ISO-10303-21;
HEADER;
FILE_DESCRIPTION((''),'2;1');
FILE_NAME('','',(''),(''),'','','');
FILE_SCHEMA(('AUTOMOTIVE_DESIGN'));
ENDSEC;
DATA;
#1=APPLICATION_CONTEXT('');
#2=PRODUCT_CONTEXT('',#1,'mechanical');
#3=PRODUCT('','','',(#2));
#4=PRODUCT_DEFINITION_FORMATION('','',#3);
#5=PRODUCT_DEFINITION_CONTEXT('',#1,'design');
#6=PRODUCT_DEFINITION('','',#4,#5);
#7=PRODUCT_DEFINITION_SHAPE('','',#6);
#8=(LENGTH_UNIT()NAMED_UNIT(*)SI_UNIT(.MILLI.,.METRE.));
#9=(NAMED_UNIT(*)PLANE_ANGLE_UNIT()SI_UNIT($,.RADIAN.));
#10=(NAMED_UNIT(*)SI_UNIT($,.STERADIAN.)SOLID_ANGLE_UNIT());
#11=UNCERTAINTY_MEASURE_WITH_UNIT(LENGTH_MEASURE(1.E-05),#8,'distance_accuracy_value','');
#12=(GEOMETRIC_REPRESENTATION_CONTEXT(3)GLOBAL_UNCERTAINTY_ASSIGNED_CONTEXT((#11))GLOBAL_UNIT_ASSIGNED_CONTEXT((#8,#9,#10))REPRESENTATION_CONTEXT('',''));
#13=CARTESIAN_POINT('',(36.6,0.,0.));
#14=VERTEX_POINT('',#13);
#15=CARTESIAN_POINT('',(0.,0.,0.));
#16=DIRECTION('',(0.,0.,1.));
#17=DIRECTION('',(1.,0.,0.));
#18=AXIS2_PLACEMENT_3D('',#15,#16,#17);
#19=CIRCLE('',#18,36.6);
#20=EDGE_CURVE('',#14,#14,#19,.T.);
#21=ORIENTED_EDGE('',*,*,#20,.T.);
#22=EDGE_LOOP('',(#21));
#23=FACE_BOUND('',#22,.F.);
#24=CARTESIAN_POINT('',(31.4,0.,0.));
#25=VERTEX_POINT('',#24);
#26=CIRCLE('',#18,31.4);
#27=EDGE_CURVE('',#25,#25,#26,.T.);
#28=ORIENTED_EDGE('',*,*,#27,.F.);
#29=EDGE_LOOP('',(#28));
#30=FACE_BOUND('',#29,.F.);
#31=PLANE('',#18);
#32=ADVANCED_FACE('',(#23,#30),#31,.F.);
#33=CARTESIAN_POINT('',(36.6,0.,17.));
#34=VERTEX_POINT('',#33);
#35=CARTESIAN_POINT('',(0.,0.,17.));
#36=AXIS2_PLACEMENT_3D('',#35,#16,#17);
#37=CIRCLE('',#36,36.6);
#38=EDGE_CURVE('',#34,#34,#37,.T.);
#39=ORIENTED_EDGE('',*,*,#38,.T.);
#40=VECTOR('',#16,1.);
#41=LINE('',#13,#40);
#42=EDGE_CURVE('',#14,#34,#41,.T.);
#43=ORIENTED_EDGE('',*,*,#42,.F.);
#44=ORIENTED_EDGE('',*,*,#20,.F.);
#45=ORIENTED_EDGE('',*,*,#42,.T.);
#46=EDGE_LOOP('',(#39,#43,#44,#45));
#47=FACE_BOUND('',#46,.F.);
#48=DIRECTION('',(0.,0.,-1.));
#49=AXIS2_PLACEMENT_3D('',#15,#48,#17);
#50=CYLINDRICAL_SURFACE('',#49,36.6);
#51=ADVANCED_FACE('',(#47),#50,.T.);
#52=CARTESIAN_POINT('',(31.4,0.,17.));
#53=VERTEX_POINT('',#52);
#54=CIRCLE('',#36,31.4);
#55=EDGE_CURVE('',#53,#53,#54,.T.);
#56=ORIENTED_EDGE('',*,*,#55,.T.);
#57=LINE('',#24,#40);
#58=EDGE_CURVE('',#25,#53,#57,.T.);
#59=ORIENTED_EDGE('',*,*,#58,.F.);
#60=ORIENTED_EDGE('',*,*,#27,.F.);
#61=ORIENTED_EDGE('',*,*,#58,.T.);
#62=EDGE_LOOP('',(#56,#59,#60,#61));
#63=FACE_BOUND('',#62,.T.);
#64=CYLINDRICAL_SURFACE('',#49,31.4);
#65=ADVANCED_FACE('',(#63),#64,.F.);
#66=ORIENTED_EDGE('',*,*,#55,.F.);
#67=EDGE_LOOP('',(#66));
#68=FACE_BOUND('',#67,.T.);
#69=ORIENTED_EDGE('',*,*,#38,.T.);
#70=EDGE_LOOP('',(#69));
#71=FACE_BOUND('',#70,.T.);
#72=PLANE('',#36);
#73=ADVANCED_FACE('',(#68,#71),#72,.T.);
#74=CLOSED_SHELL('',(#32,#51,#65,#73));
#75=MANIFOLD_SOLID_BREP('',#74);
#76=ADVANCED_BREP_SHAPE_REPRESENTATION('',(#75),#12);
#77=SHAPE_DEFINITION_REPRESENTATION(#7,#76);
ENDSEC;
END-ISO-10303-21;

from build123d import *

# Parameters (mm, degrees)
SKETCH119_R   = 36.6
SKETCH119_R_2 = 31.4
PAD064_DEPTH  = 17


with BuildPart() as part:
    # Sketch119 → Pad064 (new body)
    with BuildSketch(Plane.XY):
        Circle(SKETCH119_R)
        Circle(SKETCH119_R_2, mode=Mode.SUBTRACT)
    extrude(amount=PAD064_DEPTH)


solid = part.part
